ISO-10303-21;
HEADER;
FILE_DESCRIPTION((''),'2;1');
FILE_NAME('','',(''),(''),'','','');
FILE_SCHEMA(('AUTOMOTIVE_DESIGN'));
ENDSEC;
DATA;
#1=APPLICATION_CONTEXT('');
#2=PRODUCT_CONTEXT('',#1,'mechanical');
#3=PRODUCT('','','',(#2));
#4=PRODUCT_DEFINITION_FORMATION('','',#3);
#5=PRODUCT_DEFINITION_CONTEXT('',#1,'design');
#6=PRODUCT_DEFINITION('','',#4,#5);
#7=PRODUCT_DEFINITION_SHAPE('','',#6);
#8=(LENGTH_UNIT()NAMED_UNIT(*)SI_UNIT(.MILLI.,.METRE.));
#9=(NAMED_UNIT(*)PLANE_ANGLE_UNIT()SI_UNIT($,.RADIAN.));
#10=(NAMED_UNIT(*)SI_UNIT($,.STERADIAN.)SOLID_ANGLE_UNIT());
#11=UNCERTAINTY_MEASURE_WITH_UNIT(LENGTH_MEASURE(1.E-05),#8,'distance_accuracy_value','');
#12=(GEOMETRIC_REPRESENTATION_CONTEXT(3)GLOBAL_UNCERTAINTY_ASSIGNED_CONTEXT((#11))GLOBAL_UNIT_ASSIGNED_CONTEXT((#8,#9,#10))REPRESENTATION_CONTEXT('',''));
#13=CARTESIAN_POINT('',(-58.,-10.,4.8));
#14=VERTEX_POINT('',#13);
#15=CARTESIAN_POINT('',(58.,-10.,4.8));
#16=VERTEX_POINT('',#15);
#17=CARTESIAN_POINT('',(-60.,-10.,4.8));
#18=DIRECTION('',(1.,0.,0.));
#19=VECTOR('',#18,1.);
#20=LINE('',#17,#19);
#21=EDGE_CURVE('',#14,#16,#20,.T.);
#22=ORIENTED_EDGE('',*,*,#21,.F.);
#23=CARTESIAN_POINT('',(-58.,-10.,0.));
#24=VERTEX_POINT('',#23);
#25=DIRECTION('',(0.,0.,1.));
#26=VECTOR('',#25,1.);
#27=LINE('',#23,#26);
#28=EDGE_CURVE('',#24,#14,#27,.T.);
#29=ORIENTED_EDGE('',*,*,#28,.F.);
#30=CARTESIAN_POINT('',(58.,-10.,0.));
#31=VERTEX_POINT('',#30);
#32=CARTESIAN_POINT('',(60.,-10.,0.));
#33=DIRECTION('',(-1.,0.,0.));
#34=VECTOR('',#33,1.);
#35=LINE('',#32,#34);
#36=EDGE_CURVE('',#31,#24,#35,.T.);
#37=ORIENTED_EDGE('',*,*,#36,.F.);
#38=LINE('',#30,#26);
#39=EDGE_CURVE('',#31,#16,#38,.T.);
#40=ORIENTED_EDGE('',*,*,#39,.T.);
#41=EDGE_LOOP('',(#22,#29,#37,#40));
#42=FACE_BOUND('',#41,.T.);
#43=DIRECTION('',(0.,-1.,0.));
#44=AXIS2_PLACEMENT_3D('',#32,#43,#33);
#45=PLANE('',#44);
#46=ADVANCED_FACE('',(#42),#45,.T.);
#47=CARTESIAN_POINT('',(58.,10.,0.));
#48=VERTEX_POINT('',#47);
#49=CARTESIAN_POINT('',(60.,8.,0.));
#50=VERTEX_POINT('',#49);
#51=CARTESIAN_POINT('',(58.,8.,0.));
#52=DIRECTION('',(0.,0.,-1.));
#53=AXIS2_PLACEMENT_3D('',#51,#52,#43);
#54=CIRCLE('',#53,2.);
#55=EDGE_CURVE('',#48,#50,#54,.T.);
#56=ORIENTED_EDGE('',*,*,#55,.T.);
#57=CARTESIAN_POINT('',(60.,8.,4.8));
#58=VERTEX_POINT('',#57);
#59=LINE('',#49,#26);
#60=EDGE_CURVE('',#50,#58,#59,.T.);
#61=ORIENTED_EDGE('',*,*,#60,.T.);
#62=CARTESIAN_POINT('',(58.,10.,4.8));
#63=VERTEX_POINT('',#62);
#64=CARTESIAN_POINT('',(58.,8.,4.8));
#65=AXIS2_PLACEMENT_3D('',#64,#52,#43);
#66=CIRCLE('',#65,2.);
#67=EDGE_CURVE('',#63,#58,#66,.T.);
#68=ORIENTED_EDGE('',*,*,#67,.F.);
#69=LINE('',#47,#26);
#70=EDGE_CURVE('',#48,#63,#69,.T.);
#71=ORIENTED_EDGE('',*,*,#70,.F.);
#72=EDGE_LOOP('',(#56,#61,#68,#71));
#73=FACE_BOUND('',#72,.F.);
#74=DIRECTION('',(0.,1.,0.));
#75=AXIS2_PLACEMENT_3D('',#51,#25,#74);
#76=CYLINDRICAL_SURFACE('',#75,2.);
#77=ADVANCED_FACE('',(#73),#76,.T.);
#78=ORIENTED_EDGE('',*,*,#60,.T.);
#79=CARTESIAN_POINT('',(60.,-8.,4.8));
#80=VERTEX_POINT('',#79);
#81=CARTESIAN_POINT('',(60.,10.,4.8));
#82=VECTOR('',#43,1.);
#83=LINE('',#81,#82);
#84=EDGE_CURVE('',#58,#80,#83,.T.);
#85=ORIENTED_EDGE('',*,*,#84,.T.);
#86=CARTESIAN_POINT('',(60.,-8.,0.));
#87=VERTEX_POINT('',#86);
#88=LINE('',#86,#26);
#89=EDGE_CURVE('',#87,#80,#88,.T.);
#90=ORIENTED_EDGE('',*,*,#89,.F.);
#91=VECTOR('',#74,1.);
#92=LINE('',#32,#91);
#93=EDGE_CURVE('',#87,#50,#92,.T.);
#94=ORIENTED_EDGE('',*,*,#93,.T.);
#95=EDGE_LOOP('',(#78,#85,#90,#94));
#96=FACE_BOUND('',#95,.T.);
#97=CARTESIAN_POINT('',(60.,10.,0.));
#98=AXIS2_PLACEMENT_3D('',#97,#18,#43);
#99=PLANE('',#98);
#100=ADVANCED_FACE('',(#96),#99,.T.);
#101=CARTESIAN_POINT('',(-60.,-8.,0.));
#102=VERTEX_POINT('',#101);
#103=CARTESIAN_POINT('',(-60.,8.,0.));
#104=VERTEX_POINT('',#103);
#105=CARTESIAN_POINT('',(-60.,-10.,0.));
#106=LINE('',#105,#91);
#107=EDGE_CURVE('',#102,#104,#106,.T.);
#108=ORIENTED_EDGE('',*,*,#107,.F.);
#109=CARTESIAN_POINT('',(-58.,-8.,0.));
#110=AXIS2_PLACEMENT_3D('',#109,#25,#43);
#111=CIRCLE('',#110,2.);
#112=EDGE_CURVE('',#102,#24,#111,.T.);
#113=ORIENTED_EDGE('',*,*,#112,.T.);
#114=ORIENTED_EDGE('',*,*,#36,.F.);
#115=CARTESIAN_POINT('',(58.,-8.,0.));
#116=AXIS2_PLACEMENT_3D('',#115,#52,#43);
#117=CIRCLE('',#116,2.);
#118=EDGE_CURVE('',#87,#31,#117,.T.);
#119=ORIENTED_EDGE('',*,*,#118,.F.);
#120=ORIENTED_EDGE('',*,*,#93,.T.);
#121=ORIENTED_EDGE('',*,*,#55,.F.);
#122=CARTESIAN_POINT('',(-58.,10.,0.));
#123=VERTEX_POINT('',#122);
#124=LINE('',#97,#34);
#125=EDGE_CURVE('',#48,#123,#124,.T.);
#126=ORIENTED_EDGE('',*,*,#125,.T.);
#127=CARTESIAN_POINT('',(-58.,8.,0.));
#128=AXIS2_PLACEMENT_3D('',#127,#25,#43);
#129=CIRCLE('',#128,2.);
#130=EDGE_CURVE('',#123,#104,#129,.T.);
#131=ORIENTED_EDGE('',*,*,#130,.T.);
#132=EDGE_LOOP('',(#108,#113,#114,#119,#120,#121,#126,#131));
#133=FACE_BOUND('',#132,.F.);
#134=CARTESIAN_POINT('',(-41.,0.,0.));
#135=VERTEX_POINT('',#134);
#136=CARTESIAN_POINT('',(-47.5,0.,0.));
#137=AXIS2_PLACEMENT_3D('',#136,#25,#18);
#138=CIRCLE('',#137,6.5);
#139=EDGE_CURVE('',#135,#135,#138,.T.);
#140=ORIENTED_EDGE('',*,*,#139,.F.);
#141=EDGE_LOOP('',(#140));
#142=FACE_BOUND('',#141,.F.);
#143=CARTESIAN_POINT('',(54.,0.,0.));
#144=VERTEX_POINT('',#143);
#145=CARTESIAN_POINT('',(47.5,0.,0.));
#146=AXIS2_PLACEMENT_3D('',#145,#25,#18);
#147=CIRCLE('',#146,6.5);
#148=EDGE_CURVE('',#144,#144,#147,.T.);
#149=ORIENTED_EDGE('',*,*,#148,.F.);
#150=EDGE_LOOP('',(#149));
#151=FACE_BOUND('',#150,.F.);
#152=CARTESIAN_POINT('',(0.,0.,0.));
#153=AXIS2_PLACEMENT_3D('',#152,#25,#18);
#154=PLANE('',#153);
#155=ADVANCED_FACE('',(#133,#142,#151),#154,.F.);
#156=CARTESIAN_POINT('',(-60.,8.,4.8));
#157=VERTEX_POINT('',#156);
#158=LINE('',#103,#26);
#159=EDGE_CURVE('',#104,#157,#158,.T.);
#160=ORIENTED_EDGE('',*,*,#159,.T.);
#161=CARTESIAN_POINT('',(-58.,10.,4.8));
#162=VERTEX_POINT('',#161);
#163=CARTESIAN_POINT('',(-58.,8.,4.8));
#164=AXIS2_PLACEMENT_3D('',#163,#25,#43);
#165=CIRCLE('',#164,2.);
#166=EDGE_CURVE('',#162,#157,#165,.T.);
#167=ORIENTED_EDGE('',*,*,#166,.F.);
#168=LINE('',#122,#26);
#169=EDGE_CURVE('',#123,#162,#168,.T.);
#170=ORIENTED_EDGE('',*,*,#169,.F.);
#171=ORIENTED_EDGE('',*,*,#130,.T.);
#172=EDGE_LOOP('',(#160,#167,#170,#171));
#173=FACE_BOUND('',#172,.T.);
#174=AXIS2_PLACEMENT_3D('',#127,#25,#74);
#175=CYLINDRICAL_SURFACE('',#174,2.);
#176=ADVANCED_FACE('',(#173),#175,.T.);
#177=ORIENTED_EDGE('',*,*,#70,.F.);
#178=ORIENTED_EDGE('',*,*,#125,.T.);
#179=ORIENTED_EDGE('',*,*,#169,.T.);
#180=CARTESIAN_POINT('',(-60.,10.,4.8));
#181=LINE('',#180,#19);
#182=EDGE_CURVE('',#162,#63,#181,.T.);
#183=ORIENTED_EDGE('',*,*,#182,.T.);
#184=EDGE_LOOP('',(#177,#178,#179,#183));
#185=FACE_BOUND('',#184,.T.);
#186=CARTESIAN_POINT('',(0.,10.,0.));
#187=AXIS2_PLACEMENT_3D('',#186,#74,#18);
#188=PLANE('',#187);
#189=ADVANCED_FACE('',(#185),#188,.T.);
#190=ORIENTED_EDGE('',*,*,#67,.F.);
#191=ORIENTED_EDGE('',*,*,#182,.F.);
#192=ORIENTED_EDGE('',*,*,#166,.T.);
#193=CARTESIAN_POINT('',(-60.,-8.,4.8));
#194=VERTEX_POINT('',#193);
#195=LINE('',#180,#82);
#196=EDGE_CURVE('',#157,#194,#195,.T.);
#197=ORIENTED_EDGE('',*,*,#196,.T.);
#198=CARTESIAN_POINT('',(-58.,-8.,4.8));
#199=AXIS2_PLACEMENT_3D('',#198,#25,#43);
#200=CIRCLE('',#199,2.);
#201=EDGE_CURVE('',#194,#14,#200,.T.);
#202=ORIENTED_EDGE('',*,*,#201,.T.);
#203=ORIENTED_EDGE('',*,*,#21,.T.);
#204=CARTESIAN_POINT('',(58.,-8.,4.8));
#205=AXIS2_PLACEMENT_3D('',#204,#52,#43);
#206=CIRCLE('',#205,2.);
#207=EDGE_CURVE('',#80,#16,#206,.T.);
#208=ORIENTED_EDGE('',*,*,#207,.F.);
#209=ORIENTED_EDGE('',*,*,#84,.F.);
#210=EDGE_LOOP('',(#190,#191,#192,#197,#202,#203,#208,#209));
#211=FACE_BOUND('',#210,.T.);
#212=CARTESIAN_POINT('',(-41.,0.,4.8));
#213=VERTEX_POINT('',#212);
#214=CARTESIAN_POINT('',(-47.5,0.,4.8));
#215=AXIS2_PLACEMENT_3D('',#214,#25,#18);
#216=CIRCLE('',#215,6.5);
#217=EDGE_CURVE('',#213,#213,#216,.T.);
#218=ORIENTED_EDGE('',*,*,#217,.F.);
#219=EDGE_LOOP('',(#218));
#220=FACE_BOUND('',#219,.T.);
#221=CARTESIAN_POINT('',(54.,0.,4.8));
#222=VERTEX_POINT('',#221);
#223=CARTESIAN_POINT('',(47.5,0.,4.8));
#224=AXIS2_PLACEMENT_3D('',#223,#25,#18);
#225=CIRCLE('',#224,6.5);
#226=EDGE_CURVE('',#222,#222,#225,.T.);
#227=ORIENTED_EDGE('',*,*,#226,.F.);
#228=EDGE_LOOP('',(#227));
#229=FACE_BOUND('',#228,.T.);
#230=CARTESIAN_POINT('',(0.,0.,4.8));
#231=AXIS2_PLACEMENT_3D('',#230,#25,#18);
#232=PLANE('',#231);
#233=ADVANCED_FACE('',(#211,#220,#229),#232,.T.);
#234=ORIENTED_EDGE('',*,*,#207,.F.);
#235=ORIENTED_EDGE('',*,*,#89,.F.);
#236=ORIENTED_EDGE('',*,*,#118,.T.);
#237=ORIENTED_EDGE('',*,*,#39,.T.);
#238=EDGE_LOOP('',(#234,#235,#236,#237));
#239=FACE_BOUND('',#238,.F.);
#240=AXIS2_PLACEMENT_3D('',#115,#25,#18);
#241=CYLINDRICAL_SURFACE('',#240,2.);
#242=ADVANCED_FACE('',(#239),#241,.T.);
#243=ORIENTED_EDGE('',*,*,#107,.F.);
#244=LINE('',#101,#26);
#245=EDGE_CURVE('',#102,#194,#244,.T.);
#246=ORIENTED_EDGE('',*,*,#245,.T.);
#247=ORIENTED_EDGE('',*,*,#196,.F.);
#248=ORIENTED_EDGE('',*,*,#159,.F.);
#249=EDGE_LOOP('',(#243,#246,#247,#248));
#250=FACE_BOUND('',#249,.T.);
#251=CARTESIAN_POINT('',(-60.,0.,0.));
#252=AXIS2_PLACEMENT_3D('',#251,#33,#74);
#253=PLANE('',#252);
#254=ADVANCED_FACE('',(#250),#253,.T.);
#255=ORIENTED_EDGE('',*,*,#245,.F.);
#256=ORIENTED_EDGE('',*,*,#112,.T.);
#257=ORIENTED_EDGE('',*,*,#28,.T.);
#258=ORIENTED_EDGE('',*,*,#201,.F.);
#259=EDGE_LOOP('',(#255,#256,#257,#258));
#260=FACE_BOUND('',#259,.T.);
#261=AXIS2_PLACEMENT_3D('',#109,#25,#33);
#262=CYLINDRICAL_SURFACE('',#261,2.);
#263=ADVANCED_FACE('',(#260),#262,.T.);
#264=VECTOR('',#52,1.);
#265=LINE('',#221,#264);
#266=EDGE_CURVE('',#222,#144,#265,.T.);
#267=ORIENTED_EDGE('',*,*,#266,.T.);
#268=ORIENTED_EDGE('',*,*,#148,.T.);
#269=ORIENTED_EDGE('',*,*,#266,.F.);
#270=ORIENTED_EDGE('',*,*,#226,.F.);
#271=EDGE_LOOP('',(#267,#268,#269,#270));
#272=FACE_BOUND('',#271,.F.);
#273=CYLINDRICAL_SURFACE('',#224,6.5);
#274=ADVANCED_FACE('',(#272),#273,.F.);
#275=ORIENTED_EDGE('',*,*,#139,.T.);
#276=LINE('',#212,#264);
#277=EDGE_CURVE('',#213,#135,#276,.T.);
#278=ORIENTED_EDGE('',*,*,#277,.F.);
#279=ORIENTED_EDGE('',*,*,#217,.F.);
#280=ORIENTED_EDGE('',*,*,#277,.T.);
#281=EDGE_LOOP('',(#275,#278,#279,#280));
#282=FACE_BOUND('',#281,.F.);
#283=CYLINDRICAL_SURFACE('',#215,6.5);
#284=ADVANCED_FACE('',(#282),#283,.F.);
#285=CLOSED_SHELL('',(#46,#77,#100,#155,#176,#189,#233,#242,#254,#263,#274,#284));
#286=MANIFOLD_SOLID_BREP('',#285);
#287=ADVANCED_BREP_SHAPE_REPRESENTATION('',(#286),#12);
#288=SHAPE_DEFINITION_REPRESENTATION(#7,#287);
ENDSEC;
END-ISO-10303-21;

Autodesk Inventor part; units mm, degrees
ref_plane "YZ Plane" through (0, 0, 0) normal (1, 0, 0) x (0, 1, 0)
ref_plane "XZ Plane" through (0, 0, 0) normal (0, 1, 0) x (-1, 0, 0)
ref_plane "XY Plane" through (0, 0, 0) normal (0, 0, 1) x (1, 0, 0)
sketch "Sketch1" plane through (0, 0, 0) normal (0, 0, 1) x (1, 0, 0)
  line L0 (0, 14) -> (0, -14) projected
  line L1 (-84, 0) -> (84, 0) projected
  line L2 (-60, 10) -> (60, 10)
  line L3 (60, 10) -> (60, -10)
  line L4 (60, -10) -> (-60, -10)
  line L5 (-60, -10) -> (-60, 10)
  point P0 (0, 0)
  dimension "d0" = 120
  dimension "d1" = 20
extrude "Extrusion1" add sketch "Sketch1" along normal blind 4.8
sketch "Sketch2" plane through (0, 0, 4.8) normal (0, 0, 1) x (1, 0, 0)
  line L0 (-60, -10) -> (60, -10) projected
  line L1 (60, -10) -> (60, 10) projected
  line L2 (60, 10) -> (-60, 10) projected
  line L3 (-60, 10) -> (-60, -10) projected
  circle A0 centre (-47.5, 0) radius 6.5
  circle A1 centre (47.5, 0) radius 6.5
  line L4 (0, 14) -> (0, -14) projected
  point P0 (0, 0)
  dimension "d4" = 13
  dimension "d5" = 13
  dimension "d6" = 95
extrude "Extrusion2" cut sketch "Sketch2" against normal through all contours A0 | A1
fillet "Fillet1" radius 2 4 edges at (-60, 10, 2.4) (-60, -10, 2.4) (60, 10, 2.4) (60, -10, 2.4)
properties part number "rodFixer"
